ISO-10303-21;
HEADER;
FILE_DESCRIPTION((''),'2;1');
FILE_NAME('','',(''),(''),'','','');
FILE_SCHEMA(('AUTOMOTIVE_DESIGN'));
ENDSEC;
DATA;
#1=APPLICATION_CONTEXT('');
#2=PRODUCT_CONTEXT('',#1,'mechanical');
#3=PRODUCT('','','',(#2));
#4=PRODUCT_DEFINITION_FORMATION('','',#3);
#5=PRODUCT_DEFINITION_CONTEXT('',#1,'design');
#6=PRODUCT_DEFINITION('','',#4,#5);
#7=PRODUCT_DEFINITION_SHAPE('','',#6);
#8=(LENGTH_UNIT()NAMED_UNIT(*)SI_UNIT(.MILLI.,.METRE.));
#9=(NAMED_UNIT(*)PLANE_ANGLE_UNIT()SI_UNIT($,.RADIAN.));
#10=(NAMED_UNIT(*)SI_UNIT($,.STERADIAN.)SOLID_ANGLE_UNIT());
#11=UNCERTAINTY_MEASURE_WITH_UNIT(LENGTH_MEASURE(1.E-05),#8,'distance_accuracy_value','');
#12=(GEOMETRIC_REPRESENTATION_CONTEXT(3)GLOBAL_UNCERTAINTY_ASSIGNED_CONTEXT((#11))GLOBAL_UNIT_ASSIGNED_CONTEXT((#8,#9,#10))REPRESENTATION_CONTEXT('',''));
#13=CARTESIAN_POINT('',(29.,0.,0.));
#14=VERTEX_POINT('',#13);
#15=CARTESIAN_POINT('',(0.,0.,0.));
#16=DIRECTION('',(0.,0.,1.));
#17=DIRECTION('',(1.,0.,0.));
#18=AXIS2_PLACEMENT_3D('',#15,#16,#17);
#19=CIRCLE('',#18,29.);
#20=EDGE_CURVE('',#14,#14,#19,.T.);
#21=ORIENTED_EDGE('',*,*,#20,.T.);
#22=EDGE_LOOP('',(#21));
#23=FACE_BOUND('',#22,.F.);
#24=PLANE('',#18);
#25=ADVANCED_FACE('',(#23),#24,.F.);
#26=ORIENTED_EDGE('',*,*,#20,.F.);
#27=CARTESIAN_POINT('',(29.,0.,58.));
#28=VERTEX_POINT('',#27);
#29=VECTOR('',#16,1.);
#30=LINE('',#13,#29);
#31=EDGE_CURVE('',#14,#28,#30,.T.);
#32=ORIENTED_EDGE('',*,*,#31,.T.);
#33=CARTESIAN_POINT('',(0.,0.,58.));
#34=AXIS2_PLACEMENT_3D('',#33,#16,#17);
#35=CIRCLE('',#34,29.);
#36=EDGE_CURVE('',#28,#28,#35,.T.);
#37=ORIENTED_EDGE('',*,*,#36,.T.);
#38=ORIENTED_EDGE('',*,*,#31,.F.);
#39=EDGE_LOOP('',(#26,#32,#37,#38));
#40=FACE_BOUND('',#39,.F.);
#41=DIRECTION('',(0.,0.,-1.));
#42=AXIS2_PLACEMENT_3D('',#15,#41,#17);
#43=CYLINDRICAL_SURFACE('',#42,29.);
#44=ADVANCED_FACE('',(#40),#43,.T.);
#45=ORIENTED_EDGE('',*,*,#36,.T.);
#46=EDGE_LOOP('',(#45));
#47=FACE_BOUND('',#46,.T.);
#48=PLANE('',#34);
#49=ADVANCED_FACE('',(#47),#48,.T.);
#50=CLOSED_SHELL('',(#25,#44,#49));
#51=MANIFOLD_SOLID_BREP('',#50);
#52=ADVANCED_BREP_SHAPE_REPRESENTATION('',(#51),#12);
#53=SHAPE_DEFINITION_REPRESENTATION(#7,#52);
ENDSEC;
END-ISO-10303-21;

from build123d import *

# Parameters (mm, degrees)
ESQUISSE1_R        = 29
BOSS_EXTRU_1_DEPTH = 58


with BuildPart() as part:
    # Esquisse1 → Boss.-Extru.1 (new body)
    with BuildSketch(Plane.XY):
        Circle(ESQUISSE1_R)
    extrude(amount=BOSS_EXTRU_1_DEPTH)


solid = part.part
